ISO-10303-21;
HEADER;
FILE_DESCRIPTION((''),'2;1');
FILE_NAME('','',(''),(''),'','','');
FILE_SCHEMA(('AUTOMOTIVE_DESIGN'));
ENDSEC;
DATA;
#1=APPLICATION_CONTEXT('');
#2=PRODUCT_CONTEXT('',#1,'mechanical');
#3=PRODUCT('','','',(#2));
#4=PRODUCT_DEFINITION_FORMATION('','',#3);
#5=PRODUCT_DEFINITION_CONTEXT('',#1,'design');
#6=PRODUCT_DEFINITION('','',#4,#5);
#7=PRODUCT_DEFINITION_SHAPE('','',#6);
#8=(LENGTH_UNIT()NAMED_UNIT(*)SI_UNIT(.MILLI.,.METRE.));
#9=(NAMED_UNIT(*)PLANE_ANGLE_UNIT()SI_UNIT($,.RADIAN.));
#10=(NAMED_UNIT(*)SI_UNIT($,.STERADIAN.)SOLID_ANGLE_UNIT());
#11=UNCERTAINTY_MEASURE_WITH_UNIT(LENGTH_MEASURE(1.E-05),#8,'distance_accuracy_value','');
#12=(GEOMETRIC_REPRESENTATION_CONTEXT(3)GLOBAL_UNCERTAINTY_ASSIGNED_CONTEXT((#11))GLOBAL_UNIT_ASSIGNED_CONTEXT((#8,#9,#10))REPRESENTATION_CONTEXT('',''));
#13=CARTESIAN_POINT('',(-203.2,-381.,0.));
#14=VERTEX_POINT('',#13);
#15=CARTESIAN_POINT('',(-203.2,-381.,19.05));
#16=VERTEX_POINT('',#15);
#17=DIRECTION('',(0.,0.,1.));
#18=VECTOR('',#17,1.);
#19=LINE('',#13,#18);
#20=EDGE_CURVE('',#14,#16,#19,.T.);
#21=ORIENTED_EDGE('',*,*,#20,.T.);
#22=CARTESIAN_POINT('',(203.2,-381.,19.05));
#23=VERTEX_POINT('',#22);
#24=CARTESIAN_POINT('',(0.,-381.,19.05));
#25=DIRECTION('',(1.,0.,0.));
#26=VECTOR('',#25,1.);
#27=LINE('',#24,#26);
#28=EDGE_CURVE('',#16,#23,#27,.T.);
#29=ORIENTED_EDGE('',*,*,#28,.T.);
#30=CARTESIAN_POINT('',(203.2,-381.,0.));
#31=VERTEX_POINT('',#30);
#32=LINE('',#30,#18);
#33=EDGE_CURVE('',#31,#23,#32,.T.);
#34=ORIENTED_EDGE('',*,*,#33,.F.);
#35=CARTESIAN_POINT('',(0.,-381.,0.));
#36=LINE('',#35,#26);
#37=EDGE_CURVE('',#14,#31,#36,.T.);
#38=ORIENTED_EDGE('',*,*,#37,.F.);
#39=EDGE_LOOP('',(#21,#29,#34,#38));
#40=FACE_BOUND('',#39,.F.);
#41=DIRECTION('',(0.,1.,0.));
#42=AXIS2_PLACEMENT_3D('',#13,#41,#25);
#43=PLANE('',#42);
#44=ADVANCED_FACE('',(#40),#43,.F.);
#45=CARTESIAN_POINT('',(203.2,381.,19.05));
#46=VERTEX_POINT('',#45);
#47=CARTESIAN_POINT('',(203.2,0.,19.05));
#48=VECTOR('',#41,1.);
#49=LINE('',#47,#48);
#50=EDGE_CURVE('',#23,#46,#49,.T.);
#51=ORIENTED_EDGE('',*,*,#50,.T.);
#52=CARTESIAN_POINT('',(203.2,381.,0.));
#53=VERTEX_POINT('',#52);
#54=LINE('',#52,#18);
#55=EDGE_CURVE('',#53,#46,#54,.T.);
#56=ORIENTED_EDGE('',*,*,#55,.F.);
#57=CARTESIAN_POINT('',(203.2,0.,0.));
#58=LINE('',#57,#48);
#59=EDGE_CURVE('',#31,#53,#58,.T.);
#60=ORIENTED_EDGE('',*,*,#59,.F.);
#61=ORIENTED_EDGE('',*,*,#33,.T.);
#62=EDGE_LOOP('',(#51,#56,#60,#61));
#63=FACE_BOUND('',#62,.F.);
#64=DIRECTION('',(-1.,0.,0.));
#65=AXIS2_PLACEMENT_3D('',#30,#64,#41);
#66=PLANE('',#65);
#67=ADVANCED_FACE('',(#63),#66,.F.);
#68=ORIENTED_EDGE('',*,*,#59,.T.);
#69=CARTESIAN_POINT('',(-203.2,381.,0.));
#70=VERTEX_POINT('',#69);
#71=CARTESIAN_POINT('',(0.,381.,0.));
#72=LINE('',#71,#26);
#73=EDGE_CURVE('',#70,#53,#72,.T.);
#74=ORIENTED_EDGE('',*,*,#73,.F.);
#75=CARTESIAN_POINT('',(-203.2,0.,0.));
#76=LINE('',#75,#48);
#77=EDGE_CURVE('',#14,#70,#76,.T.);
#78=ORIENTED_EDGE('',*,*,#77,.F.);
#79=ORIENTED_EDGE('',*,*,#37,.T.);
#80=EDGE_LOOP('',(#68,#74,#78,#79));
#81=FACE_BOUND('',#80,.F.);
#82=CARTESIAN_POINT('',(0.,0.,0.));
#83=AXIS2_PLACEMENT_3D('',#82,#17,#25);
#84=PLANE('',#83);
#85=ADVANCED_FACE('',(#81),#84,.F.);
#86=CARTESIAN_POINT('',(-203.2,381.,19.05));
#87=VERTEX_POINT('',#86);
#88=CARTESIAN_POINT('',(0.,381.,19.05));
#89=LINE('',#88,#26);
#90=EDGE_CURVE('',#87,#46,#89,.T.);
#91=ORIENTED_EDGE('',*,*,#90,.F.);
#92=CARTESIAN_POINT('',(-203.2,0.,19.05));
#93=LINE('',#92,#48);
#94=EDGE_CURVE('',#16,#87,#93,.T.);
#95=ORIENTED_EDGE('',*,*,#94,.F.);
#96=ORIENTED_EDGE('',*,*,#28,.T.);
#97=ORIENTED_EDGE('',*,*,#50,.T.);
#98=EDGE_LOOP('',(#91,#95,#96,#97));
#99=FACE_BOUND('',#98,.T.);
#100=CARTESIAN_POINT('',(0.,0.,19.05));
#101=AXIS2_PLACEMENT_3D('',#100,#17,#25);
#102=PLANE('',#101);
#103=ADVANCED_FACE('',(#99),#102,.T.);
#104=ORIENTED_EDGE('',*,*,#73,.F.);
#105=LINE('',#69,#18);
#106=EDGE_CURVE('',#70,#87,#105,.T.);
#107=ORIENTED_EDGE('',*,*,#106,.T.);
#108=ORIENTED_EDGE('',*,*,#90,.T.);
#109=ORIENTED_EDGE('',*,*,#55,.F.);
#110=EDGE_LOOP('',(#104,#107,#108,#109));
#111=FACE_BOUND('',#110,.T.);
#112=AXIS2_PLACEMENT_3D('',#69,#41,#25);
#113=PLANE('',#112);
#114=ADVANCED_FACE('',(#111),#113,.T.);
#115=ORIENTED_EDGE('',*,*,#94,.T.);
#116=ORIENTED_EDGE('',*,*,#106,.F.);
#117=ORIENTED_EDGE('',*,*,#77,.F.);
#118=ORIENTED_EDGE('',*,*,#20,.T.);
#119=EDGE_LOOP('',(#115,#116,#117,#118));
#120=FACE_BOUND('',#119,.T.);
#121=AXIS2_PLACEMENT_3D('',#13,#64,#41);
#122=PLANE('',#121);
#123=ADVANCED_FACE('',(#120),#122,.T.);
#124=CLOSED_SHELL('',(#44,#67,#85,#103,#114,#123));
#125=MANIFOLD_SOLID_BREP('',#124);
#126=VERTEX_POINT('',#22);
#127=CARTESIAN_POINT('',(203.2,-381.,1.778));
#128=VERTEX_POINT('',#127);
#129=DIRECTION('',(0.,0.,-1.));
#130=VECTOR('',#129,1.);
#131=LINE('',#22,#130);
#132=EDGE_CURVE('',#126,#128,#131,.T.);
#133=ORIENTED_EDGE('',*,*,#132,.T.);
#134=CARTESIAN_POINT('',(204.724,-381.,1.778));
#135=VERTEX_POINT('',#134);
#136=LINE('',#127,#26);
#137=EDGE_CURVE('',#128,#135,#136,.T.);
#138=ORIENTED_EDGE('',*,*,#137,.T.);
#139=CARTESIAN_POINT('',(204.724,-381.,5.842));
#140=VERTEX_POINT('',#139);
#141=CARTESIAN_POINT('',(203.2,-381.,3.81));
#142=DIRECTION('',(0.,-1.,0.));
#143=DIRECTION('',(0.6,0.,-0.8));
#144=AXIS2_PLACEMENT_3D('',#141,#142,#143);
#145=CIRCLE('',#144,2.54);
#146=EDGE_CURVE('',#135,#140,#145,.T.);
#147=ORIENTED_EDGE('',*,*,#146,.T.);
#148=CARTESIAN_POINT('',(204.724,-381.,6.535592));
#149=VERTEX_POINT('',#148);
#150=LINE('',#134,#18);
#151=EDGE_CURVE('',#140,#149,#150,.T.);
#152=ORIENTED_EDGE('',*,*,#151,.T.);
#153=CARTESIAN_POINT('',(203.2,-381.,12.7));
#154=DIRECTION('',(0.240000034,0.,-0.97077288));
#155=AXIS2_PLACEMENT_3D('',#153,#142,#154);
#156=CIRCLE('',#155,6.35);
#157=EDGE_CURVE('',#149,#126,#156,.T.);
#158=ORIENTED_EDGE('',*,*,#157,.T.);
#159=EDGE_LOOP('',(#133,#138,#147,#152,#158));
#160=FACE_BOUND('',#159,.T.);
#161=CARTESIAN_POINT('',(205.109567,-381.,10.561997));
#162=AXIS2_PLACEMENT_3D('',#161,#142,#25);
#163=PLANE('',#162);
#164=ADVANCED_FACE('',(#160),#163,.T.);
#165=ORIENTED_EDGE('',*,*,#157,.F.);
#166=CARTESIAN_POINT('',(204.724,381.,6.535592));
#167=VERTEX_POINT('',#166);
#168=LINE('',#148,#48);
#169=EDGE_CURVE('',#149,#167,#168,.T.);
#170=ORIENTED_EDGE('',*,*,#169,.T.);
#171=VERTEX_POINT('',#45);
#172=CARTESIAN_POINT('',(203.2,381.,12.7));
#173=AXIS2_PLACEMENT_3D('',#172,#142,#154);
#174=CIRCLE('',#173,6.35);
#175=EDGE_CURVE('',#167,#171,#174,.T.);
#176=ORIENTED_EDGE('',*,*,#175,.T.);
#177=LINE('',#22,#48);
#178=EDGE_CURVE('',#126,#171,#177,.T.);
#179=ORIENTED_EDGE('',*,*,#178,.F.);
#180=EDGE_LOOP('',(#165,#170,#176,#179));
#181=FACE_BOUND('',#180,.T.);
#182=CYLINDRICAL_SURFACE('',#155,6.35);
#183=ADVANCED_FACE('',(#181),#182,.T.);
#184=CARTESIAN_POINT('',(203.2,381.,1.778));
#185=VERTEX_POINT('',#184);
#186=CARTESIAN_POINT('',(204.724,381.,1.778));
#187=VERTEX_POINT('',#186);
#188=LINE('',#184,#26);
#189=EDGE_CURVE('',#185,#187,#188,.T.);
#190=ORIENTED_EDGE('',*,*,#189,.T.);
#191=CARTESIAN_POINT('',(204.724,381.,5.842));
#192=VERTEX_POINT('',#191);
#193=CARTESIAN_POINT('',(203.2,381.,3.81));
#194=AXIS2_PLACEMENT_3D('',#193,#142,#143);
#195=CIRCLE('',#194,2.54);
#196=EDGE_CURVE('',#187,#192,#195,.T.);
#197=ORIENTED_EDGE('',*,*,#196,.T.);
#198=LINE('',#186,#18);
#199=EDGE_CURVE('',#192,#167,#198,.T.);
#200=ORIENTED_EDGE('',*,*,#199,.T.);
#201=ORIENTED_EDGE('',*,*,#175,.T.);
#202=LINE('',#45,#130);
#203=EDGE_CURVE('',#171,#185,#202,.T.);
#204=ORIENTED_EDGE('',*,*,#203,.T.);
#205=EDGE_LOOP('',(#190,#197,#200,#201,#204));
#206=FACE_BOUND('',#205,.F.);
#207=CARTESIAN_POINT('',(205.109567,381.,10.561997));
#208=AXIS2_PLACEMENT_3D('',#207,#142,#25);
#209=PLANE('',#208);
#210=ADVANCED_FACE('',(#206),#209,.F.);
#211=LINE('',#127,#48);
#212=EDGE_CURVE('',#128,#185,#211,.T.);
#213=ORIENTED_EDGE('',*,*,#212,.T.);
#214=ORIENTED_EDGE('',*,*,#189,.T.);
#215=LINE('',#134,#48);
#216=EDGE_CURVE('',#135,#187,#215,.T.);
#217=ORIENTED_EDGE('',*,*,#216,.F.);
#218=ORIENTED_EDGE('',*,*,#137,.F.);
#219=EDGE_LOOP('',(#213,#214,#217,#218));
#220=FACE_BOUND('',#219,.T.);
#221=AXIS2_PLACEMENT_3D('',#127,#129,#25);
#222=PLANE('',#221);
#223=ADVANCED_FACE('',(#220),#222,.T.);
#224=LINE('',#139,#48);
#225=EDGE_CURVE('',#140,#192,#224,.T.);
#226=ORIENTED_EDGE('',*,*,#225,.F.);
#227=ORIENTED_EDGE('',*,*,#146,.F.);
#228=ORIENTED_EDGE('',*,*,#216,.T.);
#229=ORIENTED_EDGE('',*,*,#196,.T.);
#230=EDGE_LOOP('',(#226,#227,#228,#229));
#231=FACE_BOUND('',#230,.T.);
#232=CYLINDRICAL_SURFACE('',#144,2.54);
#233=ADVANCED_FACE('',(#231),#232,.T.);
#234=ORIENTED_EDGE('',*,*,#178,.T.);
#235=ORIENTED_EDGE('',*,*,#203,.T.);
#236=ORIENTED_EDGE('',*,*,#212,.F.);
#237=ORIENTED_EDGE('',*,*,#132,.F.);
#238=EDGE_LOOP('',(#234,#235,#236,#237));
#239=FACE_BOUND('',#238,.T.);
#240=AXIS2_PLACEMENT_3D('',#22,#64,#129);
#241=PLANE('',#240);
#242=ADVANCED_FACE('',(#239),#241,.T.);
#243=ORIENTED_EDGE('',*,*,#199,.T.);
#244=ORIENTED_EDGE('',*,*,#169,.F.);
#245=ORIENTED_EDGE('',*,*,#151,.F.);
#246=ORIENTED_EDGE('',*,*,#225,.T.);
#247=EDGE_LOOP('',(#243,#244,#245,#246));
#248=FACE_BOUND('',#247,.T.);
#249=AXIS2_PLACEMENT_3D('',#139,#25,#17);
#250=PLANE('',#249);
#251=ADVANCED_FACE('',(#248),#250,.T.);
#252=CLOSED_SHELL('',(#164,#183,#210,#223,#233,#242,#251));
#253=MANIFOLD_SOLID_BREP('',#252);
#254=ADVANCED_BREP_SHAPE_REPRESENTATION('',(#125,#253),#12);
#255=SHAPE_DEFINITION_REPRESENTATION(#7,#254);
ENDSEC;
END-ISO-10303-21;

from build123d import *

# Parameters (mm, degrees)
F0_W     = 406.4
F0_H     = 762
F1_DEPTH = 19.05
F3_DEPTH = 762


with BuildPart() as f1:
    # F0 (on Top) → F1 (new body)
    with BuildSketch(Plane.XY):
        Rectangle(F0_W, F0_H)
    extrude(amount=F1_DEPTH)


with BuildPart() as f3:
    # F2 (on face) → F3 (new body, through all)
    with BuildSketch(Plane.XZ.offset(381)):
        with BuildLine():
            Line((204.724, 5.842), (204.724, 6.535592))
            ThreePointArc((204.724, 6.535592), (209.503431, 13.46763), (203.2, 19.05))
            Line((203.2, 19.05), (203.2, 1.778))
            Line((203.2, 1.778), (204.724, 1.778))
            Line((204.724, 1.778), (204.724, 5.842))
        make_face()
        with BuildLine():
            ThreePointArc((204.724, 1.778), (205.74, 3.81), (204.724, 5.842))
            Line((204.724, 5.842), (204.724, 1.778))
        make_face()
    extrude(amount=-F3_DEPTH)


solid = Compound([f1.part, f3.part])
